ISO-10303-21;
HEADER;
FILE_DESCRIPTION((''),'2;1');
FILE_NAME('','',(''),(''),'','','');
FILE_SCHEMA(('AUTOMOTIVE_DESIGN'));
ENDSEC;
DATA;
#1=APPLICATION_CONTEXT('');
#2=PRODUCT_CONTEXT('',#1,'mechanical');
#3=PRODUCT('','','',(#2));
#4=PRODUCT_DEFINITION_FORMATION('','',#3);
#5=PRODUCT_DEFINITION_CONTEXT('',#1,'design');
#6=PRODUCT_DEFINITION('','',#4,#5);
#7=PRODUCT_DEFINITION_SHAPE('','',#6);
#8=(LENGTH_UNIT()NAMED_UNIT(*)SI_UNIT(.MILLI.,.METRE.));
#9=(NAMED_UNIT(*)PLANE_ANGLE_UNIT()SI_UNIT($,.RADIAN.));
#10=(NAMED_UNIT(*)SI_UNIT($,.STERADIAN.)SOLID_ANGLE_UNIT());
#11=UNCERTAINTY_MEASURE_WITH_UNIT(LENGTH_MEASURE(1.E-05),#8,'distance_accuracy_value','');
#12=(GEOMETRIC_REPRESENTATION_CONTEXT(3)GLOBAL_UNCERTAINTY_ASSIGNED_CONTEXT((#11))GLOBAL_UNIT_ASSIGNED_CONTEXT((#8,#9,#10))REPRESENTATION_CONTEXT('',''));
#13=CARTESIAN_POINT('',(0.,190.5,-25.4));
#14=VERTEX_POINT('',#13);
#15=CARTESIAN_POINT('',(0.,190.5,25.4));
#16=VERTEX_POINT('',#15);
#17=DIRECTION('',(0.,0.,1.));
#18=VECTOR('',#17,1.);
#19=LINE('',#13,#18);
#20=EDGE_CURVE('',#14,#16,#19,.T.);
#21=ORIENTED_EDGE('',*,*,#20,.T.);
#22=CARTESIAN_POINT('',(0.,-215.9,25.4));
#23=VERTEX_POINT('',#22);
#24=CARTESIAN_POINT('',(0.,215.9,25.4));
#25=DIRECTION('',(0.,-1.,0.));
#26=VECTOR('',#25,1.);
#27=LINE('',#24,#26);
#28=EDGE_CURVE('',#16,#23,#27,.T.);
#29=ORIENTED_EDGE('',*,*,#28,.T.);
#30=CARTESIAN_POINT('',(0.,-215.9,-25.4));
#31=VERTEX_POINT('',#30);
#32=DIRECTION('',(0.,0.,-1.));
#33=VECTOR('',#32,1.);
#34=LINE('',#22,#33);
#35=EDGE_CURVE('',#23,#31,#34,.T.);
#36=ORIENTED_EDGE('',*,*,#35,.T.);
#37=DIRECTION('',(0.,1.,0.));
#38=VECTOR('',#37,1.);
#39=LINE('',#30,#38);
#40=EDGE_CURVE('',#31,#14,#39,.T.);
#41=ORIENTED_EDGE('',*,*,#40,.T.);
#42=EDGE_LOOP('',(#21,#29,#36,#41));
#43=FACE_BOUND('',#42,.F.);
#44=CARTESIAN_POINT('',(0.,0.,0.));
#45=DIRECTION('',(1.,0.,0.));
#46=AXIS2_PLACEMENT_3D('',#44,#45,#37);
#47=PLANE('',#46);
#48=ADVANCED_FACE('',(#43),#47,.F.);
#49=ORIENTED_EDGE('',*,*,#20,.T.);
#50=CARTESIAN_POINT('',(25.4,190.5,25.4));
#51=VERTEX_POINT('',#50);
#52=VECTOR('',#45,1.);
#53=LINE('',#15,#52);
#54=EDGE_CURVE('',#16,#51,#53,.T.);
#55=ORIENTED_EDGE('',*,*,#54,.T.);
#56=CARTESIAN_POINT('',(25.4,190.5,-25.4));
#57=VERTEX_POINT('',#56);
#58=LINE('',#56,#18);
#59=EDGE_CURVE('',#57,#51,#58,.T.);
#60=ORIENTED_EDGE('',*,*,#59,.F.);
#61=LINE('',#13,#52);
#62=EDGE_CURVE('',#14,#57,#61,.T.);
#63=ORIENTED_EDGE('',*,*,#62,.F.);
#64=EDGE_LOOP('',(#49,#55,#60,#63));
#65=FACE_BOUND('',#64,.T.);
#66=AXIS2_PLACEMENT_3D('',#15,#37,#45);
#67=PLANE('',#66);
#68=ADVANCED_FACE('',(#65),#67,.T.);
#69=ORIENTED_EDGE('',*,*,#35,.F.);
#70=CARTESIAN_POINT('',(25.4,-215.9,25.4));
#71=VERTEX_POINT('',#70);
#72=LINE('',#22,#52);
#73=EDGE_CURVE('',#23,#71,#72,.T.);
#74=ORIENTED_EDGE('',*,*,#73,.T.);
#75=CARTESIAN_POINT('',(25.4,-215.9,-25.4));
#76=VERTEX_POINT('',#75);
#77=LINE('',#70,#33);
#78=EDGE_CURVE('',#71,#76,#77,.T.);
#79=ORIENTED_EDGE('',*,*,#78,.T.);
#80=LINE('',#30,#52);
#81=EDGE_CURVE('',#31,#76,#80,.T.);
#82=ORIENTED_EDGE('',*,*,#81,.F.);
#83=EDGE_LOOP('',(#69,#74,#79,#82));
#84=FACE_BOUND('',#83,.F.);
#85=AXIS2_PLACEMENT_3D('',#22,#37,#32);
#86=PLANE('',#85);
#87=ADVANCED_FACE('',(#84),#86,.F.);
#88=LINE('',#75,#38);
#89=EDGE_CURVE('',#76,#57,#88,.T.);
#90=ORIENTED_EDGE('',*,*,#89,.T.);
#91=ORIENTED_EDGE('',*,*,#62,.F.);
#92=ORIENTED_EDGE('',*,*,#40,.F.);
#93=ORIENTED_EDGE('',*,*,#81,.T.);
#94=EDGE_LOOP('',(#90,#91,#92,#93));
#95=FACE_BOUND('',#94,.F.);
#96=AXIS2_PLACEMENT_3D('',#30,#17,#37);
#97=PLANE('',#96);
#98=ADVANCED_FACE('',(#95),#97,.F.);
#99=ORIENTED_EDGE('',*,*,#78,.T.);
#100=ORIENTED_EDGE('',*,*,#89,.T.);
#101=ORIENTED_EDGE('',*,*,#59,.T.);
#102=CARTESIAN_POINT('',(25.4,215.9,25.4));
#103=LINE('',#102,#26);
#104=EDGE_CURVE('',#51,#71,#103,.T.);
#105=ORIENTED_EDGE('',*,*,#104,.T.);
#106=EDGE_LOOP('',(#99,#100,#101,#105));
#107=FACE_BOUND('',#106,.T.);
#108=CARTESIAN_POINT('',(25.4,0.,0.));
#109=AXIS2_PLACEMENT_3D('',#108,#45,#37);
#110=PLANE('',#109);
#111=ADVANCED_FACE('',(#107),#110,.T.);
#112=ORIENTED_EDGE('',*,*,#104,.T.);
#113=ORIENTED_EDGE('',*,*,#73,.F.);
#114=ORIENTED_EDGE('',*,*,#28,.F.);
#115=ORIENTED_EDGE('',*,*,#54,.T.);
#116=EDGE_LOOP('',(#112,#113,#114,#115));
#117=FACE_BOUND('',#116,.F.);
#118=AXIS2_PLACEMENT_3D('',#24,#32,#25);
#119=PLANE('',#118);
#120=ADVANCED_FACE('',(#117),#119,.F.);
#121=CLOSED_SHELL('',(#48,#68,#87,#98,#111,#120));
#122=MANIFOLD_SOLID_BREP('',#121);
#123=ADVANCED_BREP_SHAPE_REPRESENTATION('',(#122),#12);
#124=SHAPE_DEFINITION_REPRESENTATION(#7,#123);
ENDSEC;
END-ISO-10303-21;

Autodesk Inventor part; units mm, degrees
ref_plane "YZ Plane" through (0, 0, 0) normal (1, 0, 0) x (0, 1, 0)
ref_plane "XZ Plane" through (0, 0, 0) normal (0, 1, 0) x (-1, 0, 0)
ref_plane "XY Plane" through (0, 0, 0) normal (0, 0, 1) x (1, 0, 0)
sketch "Sketch1" plane through (0, 0, 0) normal (1, 0, 0) x (0, 1, 0)
  line L0 (215.9, 25.4) -> (-215.9, 25.4)
  line L1 (-215.9, 25.4) -> (-215.9, -25.4)
  line L2 (-215.9, -25.4) -> (215.9, -25.4)
  line L3 (215.9, -25.4) -> (215.9, 25.4)
  point P0 (0, 0)
  dimension "d0" = 431.8
  dimension "d1" = 50.8
extrude "Extrusion1" add sketch "Sketch1" along normal blind 25.4
sketch "Sketch2" plane through (0, 215.9, 25.4) normal (0, 1, 0) x (1, 0, 0)
  line L0 (0, 50.8) -> (0, 0) projected
  line L1 (0, 0) -> (25.4, 0) projected
  line L2 (25.4, 50.8) -> (25.4, 0) projected
  line L3 (0, 50.8) -> (25.4, 50.8) projected
  point P0 (0, 25.4)
extrude "Extrusion2" cut sketch "Sketch2" against normal blind 25.4
properties part number "Crossbar"
